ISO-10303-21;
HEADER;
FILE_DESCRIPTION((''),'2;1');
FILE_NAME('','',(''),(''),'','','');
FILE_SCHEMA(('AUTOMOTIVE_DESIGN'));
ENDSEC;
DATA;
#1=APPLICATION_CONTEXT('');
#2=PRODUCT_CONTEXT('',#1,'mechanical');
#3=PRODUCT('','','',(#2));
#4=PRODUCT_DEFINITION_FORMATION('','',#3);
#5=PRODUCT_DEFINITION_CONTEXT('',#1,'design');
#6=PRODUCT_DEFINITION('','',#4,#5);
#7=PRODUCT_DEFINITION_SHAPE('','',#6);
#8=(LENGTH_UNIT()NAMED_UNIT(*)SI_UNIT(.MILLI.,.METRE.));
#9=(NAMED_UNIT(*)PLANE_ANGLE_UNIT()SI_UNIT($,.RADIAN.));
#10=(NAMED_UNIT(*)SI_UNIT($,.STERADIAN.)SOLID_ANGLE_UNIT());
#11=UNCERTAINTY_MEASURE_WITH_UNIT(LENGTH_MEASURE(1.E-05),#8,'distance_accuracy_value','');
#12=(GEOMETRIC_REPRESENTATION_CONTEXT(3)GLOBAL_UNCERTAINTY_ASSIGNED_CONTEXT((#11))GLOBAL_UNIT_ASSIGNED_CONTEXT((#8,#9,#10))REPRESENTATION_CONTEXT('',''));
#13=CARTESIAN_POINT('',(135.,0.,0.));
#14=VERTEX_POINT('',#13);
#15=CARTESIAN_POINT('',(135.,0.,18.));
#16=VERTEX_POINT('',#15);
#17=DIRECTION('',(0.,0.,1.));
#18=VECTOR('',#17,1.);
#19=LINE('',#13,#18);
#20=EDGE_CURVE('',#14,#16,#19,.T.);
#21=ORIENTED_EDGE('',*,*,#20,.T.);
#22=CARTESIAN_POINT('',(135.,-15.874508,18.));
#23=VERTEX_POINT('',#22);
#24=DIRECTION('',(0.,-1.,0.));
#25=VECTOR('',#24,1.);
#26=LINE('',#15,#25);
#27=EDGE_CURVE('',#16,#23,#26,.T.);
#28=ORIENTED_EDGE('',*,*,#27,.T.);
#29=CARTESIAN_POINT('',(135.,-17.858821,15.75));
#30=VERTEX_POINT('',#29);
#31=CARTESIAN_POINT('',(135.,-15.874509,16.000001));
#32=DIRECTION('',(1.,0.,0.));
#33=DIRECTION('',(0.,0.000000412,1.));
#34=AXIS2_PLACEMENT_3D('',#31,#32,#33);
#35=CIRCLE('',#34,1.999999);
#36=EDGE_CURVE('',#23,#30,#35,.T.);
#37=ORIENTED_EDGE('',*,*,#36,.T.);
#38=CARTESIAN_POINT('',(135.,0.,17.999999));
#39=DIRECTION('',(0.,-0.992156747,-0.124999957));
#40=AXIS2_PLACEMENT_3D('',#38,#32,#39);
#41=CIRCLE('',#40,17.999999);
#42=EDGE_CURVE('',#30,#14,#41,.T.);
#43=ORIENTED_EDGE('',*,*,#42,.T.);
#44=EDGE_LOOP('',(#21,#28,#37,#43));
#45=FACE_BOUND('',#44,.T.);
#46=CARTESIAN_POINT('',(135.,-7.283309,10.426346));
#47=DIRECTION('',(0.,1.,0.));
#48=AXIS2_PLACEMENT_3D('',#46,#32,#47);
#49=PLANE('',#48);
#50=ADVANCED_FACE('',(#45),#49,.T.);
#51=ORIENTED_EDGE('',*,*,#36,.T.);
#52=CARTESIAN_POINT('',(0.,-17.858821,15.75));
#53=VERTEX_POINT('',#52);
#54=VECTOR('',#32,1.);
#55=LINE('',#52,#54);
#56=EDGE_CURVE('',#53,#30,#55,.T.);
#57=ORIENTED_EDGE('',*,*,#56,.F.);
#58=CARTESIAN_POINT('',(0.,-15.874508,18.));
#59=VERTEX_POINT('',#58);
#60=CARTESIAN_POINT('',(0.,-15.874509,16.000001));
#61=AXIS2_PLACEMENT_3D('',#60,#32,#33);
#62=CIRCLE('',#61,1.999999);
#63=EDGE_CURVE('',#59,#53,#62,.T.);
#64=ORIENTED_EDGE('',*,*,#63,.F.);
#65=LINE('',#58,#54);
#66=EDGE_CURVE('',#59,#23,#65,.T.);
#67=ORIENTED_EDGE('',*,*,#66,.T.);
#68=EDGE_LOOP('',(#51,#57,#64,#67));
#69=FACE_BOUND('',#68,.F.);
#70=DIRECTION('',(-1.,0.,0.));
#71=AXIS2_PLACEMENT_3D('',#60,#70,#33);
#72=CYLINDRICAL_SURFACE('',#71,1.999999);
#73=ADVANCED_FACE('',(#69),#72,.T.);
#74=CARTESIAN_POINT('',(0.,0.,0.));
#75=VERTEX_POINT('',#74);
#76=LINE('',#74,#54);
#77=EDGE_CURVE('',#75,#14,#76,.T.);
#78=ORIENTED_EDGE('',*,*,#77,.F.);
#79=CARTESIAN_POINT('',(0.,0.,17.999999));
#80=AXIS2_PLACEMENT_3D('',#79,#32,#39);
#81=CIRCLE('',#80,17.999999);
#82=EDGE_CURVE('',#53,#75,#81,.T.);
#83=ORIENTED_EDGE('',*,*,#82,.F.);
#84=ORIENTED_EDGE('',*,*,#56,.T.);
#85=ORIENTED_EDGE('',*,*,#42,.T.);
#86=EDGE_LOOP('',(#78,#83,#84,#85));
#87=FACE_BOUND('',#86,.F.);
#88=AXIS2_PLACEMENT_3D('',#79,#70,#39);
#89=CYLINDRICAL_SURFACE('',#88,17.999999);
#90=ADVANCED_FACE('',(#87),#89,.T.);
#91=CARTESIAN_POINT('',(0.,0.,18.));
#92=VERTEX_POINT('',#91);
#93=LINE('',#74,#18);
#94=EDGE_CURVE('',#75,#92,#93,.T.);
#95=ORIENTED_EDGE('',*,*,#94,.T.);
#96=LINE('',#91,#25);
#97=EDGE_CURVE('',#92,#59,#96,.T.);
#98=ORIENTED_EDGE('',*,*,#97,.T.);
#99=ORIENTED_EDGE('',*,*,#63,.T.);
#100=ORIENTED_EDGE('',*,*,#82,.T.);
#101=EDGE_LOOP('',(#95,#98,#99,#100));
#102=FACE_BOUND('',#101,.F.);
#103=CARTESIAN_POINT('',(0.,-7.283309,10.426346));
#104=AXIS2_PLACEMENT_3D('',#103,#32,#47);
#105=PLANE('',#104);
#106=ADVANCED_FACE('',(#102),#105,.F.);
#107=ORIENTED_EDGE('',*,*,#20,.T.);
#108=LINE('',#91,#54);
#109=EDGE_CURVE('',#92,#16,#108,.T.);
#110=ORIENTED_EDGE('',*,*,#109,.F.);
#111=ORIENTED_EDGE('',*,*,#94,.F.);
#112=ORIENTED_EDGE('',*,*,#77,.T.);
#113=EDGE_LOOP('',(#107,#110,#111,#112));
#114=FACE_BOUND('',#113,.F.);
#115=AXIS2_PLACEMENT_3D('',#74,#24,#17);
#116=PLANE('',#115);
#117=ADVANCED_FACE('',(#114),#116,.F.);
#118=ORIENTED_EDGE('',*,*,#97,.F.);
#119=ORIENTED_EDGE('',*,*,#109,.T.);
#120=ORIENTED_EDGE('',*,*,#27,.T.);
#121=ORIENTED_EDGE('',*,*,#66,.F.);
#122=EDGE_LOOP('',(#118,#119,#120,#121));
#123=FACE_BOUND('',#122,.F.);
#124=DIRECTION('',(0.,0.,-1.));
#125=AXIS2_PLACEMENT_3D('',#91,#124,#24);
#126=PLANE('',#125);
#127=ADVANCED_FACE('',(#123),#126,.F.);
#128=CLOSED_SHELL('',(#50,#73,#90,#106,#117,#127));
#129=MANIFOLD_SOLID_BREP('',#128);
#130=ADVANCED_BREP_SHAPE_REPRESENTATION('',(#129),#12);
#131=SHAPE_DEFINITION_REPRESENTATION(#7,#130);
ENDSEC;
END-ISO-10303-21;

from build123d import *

# Parameters (mm, degrees)
F1_DEPTH = 135


with BuildPart() as f1:
    # F0 (on Right) → F1 (new body)
    with BuildSketch(Plane.YZ):
        with BuildLine():
            Line((0, 0), (0, 18))
            Line((0, 18), (-15.874508, 18))
            ThreePointArc((-15.874508, 18), (-17.374508, 17.322876), (-17.858821, 15.75))
            ThreePointArc((-17.858821, 15.75), (-11.905881, 4.5), (0, 0))
        make_face()
    extrude(amount=F1_DEPTH)


solid = f1.part
